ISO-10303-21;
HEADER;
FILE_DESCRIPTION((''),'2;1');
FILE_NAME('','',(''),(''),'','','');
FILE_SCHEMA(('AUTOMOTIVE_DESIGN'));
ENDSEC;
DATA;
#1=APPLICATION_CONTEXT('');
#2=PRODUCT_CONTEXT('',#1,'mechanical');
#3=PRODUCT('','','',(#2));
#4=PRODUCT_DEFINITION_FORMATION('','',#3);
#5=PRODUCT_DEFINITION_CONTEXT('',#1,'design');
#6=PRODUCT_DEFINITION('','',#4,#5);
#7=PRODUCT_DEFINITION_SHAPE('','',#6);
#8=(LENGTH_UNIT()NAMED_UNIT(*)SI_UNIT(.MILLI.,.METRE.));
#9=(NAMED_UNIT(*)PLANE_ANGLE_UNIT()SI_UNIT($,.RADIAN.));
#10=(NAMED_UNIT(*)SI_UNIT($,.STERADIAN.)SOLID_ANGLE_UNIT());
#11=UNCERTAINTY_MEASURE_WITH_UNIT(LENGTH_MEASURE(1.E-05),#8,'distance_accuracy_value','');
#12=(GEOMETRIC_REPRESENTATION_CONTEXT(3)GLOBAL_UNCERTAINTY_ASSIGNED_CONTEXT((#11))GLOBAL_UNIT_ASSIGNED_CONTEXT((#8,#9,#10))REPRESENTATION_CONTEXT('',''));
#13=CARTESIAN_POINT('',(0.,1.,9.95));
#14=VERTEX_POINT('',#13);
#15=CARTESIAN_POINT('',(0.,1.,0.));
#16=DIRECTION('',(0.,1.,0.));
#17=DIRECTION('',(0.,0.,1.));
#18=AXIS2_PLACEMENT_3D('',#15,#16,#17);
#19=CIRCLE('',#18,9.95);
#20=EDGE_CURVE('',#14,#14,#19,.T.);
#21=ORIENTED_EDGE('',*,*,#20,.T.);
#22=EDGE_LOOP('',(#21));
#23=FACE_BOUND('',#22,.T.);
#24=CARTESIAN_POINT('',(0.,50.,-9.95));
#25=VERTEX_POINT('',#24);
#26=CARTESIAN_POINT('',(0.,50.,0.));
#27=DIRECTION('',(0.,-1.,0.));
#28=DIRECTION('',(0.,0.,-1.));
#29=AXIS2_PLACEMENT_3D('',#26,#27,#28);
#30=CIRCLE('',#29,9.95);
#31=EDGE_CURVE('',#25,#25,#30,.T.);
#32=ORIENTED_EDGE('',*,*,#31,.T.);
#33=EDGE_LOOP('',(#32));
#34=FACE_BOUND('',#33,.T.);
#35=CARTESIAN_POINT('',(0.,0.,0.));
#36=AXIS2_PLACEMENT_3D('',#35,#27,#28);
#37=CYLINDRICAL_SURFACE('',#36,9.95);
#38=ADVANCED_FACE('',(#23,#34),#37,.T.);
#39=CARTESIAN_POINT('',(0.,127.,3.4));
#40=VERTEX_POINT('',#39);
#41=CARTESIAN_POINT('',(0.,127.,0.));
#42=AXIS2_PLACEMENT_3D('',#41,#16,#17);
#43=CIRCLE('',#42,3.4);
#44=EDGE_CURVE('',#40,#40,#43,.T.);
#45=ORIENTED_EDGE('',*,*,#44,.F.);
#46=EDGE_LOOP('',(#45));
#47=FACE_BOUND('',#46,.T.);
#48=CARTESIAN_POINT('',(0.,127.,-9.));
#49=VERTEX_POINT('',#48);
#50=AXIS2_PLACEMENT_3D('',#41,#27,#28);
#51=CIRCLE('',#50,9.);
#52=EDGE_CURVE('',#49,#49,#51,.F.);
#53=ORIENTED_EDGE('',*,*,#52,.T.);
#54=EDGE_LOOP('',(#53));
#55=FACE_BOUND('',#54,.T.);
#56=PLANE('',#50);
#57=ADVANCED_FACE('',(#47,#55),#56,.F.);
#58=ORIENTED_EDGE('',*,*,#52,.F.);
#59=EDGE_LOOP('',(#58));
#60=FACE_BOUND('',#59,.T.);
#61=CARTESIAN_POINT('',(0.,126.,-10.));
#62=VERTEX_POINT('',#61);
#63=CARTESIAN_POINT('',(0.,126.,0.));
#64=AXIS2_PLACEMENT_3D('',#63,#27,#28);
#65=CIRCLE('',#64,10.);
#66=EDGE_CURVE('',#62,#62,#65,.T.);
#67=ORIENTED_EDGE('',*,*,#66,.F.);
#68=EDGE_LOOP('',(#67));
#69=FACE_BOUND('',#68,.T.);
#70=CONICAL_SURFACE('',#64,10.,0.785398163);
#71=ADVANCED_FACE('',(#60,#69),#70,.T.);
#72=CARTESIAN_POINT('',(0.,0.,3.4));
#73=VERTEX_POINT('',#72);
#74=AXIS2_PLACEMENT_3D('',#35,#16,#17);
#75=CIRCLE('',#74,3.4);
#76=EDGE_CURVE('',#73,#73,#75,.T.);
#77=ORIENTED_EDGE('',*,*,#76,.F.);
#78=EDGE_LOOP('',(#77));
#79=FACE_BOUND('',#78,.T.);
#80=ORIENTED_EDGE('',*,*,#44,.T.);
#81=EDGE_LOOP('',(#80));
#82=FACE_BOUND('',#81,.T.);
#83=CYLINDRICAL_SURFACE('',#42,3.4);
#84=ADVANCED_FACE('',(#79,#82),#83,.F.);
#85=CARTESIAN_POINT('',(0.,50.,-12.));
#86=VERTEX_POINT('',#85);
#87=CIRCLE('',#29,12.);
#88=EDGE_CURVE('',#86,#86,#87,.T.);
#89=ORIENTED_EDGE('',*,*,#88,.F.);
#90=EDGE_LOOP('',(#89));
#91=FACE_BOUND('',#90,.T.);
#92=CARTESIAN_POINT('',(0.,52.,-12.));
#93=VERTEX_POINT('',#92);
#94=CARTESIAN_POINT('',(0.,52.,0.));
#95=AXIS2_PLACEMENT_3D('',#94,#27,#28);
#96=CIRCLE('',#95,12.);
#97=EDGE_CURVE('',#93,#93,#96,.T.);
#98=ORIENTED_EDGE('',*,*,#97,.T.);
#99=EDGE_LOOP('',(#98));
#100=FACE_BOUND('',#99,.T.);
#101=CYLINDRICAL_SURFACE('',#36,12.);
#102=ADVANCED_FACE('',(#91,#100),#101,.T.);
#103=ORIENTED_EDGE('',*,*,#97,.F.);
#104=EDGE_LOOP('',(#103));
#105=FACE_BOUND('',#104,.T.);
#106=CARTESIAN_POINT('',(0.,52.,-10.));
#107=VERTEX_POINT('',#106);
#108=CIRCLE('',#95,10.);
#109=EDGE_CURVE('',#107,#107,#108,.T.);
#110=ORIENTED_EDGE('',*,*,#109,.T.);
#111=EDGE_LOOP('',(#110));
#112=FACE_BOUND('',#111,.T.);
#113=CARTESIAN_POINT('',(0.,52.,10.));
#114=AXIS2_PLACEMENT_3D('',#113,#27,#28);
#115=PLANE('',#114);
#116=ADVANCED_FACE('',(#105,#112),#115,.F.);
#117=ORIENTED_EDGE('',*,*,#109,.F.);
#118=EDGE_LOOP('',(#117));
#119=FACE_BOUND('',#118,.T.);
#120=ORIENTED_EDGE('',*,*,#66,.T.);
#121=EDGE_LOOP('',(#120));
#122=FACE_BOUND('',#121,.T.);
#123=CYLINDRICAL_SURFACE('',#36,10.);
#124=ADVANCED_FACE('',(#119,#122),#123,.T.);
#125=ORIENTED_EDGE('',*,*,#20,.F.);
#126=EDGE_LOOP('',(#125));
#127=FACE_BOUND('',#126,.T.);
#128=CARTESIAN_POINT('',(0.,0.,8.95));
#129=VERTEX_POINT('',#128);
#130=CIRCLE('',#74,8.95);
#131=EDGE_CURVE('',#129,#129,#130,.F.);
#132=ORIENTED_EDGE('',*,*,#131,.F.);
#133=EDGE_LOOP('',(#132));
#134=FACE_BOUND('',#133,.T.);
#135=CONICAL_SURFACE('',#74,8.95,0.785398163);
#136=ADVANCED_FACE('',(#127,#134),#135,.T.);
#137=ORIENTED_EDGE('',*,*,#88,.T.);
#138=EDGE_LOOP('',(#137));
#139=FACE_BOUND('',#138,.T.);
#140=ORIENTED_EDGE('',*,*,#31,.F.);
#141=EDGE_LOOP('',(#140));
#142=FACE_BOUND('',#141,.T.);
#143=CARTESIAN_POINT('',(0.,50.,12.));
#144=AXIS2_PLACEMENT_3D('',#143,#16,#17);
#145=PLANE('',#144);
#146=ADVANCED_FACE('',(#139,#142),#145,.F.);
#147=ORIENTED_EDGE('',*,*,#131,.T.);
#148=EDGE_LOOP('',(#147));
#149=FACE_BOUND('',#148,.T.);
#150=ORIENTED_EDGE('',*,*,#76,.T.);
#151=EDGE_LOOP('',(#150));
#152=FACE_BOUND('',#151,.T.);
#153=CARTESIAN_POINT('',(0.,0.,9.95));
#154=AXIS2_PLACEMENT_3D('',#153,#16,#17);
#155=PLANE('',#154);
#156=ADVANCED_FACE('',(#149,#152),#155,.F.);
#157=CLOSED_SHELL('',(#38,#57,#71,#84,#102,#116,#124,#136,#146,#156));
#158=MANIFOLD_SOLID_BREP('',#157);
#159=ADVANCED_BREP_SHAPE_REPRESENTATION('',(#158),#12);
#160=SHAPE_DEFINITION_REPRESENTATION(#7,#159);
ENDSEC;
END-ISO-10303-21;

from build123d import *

# Parameters (mm, degrees)
CHAMFER1_SIZE     = 1
M8_TAPPED_HOLE1_D = 6.8


with BuildPart() as part:
    # Sketch1 → Revolve1 (revolve)
    with BuildSketch(Plane(origin=(0, 0, 0), x_dir=(0, 0, -1), z_dir=(1, 0, 0))):
        Polygon((0, 0), (0, 127), (-10, 127), (-10, 52), (-12, 52), (-12, 50), (-9.95, 50), (-9.95, 0), align=None)
    revolve(axis=Axis((0, 0, 0), (0, 1, 0)))

    # Chamfer1
    chamfer1_edges = [part.edges().sort_by_distance(p)[0] for p in [
        (0, 0, -9.95),
        (0, 127, -10),
    ]]
    chamfer(chamfer1_edges, length=CHAMFER1_SIZE)

    # M8 Tapped Hole1 (through all)
    with Locations(Plane(origin=(0, 127, 0), x_dir=(1, 0, 0), z_dir=(0, 1, 0))):
        with Locations((0, 0)):
            Hole(M8_TAPPED_HOLE1_D / 2)


solid = part.part
